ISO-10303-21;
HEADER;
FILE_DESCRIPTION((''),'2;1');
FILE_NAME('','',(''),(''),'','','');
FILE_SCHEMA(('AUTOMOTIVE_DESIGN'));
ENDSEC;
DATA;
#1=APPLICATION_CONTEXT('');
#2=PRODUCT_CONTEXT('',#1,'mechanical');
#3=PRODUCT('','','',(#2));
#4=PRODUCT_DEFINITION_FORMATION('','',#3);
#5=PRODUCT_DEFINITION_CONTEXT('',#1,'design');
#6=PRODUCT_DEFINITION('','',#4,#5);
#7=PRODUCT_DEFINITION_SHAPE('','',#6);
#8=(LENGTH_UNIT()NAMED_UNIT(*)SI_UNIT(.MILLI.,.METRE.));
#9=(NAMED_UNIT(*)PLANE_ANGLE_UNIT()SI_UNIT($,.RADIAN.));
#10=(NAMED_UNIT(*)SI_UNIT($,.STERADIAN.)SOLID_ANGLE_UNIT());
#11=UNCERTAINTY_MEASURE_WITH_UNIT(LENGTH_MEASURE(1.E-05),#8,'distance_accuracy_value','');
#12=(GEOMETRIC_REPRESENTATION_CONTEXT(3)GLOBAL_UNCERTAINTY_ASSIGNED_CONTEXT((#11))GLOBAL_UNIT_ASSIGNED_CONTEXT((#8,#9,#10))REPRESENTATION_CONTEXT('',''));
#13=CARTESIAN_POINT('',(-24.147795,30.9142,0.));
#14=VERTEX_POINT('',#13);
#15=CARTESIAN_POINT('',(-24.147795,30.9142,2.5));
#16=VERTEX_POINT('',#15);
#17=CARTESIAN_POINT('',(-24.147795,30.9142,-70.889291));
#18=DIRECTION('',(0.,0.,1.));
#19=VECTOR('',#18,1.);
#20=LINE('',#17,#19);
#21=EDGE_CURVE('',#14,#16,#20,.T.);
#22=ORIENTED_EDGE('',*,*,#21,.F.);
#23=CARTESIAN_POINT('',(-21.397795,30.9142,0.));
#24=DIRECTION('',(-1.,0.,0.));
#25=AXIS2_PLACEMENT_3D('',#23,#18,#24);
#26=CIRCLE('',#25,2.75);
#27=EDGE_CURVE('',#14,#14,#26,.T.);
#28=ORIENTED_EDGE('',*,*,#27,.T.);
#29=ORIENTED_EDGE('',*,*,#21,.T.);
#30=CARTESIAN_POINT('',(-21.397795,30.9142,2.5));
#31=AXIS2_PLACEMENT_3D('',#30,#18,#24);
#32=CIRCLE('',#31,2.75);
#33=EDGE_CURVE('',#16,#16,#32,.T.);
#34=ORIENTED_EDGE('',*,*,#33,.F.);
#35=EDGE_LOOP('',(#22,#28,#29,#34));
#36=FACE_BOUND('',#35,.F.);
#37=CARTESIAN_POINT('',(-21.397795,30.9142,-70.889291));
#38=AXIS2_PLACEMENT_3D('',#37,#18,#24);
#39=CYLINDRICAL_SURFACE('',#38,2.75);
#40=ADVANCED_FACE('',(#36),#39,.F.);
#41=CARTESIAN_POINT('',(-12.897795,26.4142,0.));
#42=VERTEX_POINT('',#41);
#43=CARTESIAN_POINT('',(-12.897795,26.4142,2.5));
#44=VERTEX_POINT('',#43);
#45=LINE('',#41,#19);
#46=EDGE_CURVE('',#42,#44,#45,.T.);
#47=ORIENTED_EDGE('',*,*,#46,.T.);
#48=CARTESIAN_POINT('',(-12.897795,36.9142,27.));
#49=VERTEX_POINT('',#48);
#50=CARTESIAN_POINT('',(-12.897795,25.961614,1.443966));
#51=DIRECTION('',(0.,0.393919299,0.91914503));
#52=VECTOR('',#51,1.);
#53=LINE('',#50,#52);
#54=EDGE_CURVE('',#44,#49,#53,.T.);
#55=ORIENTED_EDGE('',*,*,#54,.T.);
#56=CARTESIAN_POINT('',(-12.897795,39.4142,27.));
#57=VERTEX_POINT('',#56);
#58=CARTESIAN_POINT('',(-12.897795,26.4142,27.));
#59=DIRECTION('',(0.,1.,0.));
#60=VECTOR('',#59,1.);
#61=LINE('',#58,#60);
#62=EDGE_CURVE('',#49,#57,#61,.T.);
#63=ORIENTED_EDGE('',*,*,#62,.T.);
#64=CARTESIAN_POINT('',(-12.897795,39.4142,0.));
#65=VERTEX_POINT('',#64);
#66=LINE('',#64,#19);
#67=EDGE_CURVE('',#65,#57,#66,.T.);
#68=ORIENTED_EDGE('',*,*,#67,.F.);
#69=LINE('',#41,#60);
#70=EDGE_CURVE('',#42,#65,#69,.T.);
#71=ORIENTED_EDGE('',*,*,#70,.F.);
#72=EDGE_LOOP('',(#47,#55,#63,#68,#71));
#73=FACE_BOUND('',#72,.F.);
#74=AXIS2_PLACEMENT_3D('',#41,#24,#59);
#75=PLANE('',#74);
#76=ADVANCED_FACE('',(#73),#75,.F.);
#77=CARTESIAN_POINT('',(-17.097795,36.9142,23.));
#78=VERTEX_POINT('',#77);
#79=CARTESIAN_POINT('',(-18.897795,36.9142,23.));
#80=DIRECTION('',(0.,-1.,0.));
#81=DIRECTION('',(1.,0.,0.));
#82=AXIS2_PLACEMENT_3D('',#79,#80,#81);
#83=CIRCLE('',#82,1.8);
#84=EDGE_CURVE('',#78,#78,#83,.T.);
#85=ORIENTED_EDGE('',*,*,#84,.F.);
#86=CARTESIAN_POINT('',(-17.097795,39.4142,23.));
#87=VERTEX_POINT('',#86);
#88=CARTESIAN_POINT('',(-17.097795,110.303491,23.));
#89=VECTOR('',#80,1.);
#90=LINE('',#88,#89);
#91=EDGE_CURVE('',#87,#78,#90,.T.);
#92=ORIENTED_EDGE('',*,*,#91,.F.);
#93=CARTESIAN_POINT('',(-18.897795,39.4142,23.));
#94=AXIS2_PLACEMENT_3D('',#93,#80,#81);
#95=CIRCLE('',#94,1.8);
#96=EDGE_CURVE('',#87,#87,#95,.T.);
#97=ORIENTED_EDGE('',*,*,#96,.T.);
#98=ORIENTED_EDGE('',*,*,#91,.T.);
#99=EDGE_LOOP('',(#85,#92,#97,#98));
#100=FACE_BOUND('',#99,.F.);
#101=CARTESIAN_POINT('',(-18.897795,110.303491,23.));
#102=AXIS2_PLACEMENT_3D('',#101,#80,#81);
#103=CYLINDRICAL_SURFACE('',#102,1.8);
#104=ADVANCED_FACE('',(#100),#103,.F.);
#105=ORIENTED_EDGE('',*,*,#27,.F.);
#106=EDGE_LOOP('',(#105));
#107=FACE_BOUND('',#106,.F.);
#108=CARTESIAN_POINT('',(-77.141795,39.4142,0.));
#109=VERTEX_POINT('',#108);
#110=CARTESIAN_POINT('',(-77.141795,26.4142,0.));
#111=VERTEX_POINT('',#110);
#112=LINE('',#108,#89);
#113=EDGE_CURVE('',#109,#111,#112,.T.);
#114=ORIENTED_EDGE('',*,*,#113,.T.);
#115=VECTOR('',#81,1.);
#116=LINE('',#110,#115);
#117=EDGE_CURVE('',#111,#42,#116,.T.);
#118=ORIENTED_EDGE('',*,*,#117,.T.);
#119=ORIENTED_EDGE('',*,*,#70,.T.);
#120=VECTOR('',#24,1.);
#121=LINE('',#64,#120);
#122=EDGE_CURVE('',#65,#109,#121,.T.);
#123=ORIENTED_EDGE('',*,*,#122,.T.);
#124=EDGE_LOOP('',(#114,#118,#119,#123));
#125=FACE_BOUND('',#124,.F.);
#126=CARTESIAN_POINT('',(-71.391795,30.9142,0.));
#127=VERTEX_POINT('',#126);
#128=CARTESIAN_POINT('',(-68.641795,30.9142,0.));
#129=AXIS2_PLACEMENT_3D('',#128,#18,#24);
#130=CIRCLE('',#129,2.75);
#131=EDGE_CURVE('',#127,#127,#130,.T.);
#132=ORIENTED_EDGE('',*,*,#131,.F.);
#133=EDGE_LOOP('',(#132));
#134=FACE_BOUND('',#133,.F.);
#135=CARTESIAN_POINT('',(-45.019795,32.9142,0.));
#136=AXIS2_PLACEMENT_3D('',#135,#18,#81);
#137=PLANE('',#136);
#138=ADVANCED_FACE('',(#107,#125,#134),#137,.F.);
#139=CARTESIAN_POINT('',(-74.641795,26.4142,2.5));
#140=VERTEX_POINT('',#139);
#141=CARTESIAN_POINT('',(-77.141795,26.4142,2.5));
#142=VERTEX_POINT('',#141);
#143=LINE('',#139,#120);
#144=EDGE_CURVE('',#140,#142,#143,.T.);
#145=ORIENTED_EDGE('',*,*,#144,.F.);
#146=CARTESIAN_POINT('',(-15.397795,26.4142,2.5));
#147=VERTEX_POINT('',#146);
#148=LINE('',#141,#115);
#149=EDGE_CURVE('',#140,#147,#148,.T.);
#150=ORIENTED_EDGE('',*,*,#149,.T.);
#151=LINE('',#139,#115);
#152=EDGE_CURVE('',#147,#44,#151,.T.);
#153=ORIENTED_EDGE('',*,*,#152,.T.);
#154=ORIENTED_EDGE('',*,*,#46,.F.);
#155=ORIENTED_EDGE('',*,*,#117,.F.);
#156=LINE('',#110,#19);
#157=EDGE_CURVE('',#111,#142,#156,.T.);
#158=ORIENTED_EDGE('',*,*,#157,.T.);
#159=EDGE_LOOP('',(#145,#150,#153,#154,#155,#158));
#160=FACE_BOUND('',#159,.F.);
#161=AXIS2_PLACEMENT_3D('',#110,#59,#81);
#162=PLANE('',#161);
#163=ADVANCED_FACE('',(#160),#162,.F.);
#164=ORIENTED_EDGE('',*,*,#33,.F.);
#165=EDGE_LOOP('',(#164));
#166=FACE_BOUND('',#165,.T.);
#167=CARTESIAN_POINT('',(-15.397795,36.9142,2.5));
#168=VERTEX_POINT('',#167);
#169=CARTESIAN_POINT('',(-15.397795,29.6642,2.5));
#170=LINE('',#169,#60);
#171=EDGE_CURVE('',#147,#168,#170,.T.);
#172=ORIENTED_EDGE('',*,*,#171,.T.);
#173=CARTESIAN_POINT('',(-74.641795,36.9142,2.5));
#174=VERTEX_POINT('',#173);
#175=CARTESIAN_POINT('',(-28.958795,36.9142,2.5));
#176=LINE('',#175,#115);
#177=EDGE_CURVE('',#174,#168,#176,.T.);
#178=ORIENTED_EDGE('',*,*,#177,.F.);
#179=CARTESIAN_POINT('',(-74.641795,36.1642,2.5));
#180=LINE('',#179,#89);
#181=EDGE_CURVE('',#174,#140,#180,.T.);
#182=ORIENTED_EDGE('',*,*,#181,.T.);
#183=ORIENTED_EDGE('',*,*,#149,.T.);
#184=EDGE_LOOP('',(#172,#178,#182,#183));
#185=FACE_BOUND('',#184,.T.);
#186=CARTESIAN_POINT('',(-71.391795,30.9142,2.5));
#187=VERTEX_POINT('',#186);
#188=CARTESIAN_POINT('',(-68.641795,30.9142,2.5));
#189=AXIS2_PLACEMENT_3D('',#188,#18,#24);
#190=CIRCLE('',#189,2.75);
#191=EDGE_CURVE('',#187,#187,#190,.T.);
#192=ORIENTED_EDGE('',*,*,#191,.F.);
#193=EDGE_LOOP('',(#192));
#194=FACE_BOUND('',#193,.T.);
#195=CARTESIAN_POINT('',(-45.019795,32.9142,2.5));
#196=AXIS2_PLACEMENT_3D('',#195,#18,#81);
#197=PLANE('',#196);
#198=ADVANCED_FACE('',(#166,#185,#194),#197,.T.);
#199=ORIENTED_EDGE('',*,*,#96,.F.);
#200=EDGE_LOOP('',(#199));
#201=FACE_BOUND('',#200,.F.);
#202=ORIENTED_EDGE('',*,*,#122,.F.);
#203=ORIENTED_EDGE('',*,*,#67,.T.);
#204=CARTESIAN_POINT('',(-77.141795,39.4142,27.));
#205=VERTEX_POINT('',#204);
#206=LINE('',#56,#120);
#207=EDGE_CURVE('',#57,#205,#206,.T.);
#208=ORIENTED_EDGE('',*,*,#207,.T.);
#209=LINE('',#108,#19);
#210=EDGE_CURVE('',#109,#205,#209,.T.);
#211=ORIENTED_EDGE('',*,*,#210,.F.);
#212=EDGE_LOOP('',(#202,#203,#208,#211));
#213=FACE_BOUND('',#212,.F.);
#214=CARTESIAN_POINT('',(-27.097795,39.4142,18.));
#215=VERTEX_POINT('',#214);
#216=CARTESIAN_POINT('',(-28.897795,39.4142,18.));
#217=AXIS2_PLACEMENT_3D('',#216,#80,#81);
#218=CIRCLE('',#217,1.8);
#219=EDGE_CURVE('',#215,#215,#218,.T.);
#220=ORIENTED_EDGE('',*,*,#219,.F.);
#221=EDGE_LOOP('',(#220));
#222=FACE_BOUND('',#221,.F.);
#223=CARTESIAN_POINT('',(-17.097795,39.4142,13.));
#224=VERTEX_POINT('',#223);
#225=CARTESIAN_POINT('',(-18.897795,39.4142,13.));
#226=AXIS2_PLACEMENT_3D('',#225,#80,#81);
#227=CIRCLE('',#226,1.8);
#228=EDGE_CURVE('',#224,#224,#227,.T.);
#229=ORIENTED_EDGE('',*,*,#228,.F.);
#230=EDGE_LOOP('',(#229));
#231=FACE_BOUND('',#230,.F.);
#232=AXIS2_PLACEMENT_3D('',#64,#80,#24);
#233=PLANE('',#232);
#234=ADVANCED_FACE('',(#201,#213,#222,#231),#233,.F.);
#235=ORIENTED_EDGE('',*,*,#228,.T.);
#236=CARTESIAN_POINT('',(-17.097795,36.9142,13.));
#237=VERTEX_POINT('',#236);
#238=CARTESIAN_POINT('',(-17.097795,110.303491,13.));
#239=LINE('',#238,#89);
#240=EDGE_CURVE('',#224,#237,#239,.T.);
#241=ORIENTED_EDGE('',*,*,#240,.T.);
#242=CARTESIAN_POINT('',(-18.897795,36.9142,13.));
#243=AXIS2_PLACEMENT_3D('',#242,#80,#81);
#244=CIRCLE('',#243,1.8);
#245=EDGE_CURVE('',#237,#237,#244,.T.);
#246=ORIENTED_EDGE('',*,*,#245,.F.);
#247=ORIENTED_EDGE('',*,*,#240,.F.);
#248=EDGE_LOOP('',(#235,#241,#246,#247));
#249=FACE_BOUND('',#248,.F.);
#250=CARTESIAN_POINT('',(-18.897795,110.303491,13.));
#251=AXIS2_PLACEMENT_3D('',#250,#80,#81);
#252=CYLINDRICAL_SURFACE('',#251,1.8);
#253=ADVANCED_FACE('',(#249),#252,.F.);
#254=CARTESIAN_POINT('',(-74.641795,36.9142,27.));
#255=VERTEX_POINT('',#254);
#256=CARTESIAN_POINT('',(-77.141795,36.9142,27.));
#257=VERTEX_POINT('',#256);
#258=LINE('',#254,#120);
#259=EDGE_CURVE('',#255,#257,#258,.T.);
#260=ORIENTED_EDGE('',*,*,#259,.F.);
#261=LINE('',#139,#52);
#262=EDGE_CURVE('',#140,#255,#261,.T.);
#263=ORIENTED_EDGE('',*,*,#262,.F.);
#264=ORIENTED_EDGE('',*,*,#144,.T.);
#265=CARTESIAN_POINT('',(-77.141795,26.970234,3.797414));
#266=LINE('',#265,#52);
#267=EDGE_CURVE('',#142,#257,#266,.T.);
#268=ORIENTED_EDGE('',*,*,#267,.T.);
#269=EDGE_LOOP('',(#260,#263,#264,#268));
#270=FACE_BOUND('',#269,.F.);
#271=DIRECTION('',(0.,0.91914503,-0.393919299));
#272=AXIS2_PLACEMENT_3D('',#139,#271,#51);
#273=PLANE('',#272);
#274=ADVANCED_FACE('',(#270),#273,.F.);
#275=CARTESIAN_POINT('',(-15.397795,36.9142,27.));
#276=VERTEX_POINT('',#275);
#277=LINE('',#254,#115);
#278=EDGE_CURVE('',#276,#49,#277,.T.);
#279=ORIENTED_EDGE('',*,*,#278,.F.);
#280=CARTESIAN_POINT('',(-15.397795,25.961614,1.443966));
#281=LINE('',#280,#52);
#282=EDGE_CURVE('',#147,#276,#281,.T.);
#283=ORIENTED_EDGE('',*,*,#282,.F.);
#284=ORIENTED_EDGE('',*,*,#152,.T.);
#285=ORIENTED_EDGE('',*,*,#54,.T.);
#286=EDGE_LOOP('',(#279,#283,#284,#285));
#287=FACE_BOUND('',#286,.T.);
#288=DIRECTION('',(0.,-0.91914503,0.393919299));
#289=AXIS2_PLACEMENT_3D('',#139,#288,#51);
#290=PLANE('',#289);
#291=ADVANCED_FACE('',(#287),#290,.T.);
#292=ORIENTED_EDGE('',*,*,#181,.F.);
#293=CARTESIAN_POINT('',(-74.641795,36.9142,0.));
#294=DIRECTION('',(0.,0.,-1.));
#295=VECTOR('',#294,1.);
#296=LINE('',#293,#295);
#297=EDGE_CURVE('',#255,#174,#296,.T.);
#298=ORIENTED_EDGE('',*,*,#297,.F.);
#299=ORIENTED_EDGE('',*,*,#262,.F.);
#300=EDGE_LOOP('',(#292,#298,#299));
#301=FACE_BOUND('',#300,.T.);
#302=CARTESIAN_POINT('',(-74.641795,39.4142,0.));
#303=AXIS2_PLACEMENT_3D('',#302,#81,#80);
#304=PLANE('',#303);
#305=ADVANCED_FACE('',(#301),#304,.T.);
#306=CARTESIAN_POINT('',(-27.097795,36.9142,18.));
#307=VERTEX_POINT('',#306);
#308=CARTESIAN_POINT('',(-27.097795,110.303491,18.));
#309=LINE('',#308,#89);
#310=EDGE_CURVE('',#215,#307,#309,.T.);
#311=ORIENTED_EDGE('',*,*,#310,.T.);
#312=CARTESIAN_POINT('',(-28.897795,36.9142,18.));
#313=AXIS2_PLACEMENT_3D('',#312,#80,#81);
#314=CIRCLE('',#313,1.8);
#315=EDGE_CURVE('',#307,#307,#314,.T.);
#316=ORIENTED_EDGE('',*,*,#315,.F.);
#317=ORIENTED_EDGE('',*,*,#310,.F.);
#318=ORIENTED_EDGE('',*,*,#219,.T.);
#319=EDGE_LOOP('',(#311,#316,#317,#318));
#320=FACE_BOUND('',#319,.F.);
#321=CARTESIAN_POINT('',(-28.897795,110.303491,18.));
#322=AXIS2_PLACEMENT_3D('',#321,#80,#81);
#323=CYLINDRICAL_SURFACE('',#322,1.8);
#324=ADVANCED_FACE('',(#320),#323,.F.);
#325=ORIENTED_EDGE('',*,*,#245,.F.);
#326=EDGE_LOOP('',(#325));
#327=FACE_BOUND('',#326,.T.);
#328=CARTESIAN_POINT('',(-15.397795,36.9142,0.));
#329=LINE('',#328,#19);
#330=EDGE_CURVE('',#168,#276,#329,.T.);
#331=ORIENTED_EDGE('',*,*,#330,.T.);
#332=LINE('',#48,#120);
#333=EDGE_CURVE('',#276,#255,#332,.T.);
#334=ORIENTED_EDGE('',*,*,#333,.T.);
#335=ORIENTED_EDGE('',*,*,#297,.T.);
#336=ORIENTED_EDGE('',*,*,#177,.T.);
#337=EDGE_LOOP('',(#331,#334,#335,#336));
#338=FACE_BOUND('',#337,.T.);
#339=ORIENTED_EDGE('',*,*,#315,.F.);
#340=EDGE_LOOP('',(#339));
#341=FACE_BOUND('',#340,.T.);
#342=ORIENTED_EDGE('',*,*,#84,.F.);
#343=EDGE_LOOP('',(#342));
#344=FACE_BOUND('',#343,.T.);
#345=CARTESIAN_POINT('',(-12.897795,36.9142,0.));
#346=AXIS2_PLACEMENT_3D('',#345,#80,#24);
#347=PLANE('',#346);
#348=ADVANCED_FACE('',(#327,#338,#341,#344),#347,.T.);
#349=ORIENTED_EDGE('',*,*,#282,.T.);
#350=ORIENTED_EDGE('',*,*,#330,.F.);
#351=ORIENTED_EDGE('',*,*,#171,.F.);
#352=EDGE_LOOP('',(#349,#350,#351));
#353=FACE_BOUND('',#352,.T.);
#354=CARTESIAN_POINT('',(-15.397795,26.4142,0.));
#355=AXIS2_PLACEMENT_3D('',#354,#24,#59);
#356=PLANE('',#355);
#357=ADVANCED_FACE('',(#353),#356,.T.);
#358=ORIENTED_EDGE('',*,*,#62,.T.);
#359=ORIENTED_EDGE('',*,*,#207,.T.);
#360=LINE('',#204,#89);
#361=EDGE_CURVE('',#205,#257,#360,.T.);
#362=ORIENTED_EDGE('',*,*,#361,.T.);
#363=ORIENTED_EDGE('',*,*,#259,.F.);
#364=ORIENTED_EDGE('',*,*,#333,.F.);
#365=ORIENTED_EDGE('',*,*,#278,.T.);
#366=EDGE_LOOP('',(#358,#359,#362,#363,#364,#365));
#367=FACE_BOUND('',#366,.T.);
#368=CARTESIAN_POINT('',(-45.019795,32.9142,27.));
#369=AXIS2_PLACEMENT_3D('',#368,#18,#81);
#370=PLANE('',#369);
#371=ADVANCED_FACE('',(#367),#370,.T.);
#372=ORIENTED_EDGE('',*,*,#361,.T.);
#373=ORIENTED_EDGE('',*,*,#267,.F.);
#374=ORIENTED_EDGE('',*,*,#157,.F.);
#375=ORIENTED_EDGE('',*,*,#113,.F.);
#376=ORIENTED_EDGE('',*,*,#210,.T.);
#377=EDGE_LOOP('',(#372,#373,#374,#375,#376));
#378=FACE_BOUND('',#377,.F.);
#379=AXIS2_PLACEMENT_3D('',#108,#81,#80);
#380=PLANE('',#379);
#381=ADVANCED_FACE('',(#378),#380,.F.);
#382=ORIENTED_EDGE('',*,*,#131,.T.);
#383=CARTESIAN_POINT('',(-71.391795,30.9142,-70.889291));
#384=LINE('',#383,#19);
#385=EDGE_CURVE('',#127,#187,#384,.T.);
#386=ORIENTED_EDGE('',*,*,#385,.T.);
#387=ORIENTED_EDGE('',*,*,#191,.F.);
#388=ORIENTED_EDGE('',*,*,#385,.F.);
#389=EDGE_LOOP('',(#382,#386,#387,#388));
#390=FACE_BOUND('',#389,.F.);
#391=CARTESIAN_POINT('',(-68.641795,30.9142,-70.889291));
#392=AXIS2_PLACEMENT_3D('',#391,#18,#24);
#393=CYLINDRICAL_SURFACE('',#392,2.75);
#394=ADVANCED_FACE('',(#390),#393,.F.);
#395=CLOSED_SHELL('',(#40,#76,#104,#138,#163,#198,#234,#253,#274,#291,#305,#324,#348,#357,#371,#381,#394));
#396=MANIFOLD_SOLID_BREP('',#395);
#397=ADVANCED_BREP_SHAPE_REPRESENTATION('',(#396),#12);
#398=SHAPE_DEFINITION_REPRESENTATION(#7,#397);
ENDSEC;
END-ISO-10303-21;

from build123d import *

# Parameters (mm, degrees)
F0_R          = 2.5
F1_DEPTH      = 27
F2_T          = -2.5
F4_DEPTH      = 2.501
F4_DEPTH_BACK = 61.745
F6_D          = 5.5
F7_D          = 3.6


with BuildPart() as f1:
    # F0 (on Top) → F1 (new body)
    with BuildSketch(Plane.XY):
        Polygon((-77.141795, 26.4142), (-45.019795, 26.4142), (-12.897795, 26.4142), (-12.897795, 39.4142), (-77.141795, 39.4142), align=None)
        with Locations((-68.641795, 30.9142)):
            Circle(F0_R, mode=Mode.SUBTRACT)
        with Locations((-21.397795, 30.9142)):
            Circle(F0_R, mode=Mode.SUBTRACT)
        with Locations((-68.641795, 30.9142)):
            Circle(F0_R)
        with Locations((-21.397795, 30.9142)):
            Circle(F0_R)
    extrude(amount=F1_DEPTH)

    # F2
    f2_openings = [f1.faces().sort_by_distance(p)[0] for p in [
        (-45.019795, 32.9142, 27),
        (-45.019795, 26.4142, 13.5),
    ]]
    offset(amount=F2_T, openings=f2_openings)

    # F3 (on face) → F4 (cut, two sides)
    with BuildSketch(Plane.YZ.offset(-74.641795)) as f4_sk:
        Polygon((26.4142, 27), (26.4142, 2.5), (36.9142, 27), align=None)
    extrude(amount=-F4_DEPTH, mode=Mode.SUBTRACT)
    extrude(f4_sk.sketch, amount=F4_DEPTH_BACK, mode=Mode.SUBTRACT)

    # F6 (through all)
    with Locations(Plane(origin=(0, 0, 0), x_dir=(1, 0, 0), z_dir=(0, 0, -1))):
        with Locations((-68.641795, -30.9142), (-21.397795, -30.9142)):
            Hole(F6_D / 2)

    # F7 (through all)
    with Locations(Plane(origin=(0, 39.4142, 0), x_dir=(-1, 0, 0), z_dir=(0, 1, 0))):
        with Locations((18.897795, 13), (18.897795, 23), (28.897795, 18)):
            Hole(F7_D / 2)


solid = f1.part
